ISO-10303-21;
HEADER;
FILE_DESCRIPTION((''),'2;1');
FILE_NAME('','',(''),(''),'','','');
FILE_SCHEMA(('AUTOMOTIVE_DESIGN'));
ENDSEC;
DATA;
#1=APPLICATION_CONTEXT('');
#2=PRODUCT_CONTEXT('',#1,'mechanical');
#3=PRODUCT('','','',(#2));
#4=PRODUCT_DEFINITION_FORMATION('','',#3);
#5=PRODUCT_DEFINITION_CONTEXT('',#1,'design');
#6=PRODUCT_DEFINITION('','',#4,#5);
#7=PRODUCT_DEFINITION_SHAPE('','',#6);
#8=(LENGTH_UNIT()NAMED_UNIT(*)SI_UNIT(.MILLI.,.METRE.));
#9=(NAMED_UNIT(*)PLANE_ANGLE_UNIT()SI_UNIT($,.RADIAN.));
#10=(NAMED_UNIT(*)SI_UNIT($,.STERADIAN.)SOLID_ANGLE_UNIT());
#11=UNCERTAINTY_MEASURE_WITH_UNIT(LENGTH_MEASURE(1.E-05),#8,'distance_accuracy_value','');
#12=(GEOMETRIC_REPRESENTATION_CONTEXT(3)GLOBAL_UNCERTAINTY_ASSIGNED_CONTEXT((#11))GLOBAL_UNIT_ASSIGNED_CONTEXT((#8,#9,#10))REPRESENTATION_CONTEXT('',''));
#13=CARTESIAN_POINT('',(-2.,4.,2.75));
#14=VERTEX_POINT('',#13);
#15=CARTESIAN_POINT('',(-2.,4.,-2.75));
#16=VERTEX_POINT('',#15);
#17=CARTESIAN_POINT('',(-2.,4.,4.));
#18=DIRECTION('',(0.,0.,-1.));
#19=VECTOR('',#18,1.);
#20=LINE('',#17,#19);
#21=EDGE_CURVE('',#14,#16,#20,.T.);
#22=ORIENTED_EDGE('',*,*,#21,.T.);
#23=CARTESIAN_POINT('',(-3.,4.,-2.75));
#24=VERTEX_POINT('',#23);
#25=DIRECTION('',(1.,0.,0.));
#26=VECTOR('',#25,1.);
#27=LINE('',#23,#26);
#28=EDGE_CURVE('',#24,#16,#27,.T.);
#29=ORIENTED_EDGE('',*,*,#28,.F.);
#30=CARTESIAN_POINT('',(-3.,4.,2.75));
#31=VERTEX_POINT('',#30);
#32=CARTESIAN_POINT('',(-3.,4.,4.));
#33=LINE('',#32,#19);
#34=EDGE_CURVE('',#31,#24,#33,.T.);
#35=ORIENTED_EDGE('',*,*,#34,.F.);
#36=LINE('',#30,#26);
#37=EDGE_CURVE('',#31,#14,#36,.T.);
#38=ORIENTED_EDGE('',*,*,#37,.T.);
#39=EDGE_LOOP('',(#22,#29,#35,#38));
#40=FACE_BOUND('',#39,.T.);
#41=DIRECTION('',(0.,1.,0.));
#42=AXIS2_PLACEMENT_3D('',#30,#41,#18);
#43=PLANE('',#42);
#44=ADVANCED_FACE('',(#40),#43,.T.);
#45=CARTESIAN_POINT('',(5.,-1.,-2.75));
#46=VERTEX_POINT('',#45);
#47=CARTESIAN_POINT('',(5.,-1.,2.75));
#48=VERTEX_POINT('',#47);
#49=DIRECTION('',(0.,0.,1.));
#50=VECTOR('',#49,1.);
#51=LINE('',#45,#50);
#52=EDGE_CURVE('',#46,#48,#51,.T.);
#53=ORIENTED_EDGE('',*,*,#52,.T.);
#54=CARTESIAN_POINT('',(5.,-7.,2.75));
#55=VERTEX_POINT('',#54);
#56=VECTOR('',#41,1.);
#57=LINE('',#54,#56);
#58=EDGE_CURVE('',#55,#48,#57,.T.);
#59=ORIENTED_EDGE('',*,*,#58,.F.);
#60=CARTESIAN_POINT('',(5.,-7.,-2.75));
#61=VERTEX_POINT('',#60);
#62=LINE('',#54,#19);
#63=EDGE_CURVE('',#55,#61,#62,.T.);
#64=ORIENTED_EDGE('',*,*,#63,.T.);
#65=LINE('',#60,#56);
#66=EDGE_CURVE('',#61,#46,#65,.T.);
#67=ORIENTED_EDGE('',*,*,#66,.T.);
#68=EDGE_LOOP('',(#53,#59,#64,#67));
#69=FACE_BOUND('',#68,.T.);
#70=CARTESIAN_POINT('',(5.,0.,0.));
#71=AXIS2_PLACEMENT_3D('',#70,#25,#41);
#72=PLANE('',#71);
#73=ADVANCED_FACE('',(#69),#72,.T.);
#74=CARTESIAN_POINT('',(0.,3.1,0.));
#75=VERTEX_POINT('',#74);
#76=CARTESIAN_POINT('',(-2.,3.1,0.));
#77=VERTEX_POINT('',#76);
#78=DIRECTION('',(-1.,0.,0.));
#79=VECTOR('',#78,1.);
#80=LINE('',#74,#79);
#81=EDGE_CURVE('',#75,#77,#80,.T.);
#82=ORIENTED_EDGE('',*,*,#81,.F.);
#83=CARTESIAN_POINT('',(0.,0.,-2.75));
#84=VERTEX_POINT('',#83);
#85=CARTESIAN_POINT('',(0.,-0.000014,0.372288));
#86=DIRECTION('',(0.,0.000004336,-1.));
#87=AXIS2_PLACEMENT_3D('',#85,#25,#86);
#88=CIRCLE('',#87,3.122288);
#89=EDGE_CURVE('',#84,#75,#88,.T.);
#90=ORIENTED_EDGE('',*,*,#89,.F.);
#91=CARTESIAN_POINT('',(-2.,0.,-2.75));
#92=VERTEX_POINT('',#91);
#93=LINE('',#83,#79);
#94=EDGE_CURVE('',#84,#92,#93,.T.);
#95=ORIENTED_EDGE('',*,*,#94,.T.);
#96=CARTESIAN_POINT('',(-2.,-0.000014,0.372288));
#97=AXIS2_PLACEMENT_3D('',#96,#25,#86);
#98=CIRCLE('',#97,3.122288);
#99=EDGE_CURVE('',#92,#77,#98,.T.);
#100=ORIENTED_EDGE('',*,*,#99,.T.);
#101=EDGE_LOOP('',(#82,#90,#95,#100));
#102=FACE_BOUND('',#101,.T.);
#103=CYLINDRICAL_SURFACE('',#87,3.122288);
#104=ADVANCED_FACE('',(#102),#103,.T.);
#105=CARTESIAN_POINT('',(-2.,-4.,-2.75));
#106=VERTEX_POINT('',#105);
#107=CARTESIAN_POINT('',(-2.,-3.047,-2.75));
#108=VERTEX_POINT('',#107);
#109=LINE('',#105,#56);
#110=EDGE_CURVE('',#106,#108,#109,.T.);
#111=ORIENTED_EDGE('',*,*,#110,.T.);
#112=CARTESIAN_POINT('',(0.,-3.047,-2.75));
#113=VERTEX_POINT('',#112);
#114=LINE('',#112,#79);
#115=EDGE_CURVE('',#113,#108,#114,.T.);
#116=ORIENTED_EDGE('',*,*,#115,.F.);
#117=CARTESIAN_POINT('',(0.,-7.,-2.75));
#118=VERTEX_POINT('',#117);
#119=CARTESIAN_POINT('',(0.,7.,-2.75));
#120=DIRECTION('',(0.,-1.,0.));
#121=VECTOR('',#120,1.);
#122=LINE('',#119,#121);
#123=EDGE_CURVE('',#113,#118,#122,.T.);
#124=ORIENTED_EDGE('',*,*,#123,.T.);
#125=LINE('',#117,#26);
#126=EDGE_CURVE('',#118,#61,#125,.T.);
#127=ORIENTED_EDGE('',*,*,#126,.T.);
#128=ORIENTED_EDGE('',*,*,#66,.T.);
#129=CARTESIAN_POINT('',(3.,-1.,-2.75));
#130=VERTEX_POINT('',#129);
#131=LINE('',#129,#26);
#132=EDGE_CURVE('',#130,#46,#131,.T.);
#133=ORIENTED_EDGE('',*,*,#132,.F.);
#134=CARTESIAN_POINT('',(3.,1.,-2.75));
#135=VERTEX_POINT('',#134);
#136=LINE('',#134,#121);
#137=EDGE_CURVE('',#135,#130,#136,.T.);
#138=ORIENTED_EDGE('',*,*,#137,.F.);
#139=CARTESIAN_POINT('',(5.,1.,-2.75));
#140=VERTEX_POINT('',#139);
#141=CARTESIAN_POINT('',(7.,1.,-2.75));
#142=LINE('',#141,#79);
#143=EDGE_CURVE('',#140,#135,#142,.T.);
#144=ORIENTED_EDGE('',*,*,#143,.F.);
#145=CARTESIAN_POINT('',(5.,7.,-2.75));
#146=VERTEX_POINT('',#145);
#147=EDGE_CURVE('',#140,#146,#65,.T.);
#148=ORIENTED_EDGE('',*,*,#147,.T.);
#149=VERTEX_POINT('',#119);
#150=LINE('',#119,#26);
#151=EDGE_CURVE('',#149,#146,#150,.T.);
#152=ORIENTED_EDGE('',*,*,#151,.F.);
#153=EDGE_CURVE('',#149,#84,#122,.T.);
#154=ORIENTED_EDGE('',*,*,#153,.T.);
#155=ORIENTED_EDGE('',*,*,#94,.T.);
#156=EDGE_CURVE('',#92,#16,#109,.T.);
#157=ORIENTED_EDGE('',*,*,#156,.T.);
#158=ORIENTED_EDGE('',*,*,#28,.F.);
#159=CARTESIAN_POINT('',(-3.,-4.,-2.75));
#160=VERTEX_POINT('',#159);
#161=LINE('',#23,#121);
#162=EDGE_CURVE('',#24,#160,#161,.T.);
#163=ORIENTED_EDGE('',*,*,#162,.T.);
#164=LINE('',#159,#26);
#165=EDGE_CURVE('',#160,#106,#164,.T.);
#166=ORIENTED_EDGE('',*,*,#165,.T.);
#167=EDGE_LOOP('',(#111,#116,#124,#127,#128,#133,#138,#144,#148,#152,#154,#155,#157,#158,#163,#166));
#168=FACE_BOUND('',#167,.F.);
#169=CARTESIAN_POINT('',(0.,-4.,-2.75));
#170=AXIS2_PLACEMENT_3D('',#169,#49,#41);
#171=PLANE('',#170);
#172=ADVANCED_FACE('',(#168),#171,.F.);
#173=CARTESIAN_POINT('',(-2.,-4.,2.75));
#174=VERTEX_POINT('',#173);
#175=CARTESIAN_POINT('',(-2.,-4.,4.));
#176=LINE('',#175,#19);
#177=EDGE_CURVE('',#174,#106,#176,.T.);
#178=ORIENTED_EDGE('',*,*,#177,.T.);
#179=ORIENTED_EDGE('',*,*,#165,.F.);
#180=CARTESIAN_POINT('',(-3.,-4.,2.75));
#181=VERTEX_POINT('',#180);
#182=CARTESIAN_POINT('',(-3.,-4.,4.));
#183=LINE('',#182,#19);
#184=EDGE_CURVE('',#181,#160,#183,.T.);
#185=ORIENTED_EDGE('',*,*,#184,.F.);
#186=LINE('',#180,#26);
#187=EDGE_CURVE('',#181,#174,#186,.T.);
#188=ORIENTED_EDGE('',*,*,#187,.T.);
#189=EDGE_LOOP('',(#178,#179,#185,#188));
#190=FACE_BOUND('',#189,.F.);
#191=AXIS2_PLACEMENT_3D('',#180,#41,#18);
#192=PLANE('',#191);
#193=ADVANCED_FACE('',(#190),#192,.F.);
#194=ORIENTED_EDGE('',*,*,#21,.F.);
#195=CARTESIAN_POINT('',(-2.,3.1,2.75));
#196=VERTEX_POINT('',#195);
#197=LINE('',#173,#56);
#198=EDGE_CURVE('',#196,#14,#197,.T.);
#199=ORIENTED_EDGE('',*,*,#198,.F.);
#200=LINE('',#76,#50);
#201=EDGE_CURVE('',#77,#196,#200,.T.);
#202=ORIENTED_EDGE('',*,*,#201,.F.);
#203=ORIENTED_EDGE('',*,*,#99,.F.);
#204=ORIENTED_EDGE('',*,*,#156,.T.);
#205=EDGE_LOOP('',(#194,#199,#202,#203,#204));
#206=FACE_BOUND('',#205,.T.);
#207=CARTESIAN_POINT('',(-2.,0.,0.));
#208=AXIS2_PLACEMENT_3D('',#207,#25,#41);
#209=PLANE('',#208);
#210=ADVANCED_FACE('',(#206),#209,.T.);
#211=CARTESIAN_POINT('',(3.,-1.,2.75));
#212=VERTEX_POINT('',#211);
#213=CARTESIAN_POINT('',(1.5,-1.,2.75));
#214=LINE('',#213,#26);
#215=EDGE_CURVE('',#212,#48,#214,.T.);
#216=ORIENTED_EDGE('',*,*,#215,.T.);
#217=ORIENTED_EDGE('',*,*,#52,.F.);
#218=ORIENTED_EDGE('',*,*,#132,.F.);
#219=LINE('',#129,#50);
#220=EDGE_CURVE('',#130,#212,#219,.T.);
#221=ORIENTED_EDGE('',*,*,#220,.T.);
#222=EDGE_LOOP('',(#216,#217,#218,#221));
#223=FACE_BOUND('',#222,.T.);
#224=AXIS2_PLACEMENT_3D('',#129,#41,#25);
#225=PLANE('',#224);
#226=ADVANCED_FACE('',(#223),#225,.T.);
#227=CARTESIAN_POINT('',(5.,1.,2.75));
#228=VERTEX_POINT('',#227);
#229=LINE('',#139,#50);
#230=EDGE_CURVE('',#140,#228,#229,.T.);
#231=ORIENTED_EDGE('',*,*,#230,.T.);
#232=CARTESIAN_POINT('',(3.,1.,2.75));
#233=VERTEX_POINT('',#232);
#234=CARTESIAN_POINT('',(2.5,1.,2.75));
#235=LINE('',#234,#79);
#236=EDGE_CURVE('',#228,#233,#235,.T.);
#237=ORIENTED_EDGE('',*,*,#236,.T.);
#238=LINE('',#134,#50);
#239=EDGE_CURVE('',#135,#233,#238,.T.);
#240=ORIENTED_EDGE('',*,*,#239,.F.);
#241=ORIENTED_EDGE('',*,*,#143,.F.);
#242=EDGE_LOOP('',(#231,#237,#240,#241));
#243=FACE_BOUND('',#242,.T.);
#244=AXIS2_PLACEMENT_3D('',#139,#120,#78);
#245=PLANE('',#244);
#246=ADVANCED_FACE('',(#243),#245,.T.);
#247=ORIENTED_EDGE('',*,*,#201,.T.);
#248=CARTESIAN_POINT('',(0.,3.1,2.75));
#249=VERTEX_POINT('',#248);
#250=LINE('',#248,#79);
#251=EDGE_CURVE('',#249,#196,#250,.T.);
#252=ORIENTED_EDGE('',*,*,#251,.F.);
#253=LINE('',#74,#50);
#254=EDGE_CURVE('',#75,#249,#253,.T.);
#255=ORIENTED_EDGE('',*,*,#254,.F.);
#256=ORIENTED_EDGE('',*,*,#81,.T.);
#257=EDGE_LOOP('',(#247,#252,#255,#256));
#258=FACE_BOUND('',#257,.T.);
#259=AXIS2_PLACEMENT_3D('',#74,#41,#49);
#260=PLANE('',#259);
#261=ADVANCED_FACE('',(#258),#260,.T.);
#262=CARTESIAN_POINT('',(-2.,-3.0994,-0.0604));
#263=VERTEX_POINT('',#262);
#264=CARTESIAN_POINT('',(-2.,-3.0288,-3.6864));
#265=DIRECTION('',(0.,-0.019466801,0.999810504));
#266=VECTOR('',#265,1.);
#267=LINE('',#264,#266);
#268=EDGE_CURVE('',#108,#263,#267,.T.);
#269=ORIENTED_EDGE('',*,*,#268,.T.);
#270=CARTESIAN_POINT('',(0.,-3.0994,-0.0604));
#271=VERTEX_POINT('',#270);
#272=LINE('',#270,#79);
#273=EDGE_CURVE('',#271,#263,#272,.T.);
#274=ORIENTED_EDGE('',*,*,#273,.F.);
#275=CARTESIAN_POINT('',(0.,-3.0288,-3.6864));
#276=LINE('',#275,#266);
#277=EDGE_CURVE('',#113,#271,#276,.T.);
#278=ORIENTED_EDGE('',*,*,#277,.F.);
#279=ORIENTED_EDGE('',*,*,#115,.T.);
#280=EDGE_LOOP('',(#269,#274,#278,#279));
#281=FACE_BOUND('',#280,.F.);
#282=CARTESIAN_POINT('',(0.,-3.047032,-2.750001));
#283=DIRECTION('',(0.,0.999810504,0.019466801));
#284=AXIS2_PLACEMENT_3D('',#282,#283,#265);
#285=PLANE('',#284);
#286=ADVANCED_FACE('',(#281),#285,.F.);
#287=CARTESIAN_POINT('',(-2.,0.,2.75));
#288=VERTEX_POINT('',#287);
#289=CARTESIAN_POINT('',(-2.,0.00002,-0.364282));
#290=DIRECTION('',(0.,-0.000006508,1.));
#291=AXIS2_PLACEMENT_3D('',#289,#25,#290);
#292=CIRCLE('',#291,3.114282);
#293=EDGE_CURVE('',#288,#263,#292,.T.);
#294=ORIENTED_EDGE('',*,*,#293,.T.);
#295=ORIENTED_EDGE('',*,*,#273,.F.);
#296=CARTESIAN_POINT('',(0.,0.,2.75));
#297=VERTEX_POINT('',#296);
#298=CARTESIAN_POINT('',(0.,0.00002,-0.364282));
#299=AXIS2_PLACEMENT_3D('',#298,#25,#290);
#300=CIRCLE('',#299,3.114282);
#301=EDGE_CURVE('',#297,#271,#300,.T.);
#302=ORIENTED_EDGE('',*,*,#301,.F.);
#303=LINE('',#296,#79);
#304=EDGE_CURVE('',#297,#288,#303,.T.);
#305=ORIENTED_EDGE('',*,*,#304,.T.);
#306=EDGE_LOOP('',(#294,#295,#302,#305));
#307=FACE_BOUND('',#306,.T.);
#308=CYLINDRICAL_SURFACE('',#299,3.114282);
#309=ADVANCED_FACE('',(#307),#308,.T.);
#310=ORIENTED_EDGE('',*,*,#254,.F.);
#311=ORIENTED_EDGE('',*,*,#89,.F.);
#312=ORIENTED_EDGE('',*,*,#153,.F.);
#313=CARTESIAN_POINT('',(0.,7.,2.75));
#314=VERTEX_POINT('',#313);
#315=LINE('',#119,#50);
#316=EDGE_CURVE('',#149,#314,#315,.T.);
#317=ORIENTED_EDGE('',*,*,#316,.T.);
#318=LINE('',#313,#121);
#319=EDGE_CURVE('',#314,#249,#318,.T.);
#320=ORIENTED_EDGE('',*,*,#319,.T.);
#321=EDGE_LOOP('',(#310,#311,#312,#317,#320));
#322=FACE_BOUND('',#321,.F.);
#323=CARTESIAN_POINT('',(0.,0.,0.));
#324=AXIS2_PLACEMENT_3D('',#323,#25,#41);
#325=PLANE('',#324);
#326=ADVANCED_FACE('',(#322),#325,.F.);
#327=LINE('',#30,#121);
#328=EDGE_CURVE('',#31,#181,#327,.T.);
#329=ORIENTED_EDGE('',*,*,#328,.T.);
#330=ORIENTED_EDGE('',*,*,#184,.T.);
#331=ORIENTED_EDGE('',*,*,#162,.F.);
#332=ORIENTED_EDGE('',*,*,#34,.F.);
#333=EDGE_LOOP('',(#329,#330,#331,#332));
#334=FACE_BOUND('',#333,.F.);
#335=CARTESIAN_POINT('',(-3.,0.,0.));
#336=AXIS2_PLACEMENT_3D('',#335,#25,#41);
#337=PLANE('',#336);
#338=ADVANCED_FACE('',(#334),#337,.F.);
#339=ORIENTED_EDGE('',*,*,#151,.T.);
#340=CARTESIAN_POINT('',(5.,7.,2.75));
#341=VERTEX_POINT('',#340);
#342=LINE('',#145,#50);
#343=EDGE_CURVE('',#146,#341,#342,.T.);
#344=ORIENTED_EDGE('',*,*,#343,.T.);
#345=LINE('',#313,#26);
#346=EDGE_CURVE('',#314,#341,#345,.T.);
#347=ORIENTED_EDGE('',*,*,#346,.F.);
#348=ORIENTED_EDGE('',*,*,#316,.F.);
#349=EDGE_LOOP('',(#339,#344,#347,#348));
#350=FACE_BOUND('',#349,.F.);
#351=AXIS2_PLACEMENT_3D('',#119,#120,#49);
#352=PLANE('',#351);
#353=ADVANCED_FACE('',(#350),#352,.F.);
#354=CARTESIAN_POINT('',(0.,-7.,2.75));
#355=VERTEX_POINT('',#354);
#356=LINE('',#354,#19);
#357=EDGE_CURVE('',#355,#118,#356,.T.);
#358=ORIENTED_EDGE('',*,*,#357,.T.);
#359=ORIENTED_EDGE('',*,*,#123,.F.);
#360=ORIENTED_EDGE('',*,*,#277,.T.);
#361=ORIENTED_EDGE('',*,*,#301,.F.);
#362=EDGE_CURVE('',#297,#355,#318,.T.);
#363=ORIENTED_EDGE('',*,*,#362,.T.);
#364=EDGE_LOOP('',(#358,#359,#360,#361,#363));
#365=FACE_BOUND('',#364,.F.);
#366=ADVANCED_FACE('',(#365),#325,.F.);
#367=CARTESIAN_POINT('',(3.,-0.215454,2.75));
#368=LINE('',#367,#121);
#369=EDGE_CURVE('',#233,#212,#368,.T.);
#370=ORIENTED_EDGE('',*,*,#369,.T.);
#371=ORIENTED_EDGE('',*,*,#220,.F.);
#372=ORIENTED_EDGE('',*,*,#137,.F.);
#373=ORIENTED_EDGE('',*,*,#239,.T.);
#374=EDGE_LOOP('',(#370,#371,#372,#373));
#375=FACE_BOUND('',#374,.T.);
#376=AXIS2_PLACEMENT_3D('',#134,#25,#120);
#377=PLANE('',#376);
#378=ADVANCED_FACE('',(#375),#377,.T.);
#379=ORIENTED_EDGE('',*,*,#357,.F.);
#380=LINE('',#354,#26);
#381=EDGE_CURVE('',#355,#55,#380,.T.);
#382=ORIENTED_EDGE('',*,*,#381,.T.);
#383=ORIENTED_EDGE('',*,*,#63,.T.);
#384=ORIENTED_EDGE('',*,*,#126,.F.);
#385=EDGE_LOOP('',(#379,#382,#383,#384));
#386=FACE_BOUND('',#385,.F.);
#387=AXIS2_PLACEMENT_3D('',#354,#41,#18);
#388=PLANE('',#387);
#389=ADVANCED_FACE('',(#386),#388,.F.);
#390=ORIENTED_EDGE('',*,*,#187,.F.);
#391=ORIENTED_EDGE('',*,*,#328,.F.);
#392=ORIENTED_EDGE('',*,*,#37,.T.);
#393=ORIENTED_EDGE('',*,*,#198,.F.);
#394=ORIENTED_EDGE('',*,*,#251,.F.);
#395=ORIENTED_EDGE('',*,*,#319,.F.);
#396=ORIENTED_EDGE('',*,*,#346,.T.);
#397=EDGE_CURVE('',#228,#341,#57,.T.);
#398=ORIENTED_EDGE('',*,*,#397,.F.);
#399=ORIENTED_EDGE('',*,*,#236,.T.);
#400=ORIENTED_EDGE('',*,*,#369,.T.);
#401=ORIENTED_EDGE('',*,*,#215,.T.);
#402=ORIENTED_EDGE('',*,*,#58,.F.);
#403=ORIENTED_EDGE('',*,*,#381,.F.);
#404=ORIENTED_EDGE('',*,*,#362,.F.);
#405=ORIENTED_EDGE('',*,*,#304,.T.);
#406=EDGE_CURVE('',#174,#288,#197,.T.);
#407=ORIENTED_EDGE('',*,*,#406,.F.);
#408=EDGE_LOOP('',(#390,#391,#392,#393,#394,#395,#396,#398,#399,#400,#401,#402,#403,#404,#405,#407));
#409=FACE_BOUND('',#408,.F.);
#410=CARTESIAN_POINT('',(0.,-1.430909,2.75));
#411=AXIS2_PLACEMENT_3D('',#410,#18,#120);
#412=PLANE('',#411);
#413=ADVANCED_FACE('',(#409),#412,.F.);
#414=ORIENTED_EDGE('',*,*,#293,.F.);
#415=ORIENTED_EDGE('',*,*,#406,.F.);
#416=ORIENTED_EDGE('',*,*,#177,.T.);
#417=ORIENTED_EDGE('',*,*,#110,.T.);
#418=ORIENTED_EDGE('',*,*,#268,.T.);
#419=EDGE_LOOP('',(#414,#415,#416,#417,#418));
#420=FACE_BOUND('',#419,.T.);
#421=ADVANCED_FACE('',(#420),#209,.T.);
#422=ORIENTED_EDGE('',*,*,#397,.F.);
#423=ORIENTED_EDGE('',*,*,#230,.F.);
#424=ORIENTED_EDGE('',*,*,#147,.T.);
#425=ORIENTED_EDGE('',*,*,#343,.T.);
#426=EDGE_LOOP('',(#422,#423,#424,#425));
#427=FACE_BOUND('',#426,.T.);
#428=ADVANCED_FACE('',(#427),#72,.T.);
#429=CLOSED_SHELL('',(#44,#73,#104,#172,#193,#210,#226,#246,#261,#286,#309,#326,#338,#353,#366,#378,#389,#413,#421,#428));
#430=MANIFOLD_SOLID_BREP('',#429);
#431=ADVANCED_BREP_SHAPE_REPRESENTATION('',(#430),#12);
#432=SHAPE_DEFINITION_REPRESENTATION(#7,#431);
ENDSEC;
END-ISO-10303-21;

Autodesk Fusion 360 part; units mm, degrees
ref_plane "WorkPlane1" through (11.25, 0, 0) normal (1, 0, 0) x (0, 1, 0)
sketch "wire_screw2" plane through (0, 0, 0) normal (1, 0, 0) x (0, 1, 0)
  line L0 (7, 3.1) -> (-7, -3.1) construction
  line L1 (-7, 3.1) -> (7, -3.1) construction
  line L2 (-4, 4) -> (-4, -3.4897)
  line L3 (4, 4) -> (4, -3.5621)
  circle A0 centre (0, 0) radius 3.1
  circle A1 centre (0, 0) radius 2.75
  line L4 (-3.0288, -3.6864) -> (-3.0994, -0.0604)
  arc A2 (0, 2.75) -> (-3.0994, -0.0604) centre (0, -0.3643) ccw
  arc A3 (0, -2.75) -> (0, 2.75) centre (0, 0) ccw
  arc A4 (0, -2.75) -> (3.1, 0) centre (0, 0.3723) ccw
  line L5 (3.1, 0) -> (3.1, 3.8294)
  line L6 (0, 2.75) -> (3.1, 2.75)
  line L7 (0, -2.75) -> (-3.047, -2.75)
  line L8 (0, 2.75) -> (7, 2.75)
  line L9 (7, 2.75) -> (-7, 2.75)
  line L10 (-7, 2.75) -> (-7, -2.75)
  line L11 (-7, -2.75) -> (7, -2.75)
  line L12 (7, -2.75) -> (7, 2.75)
  dimension "d38" = 14
  dimension "d39" = 6.2
  dimension "d40" = 5.5
  dimension "d41" = 7
  dimension "d42" = 14
extrude "Extrude7" add sketch "wire_screw2" along normal blind -2 and the other way blind 3 contours L2 A0 L4 L9 L11 | A0 A2 L9 | A0 L4 L7 L11 | A0 L5 L6 L8 L9 | A0 A1 A3 A4 L6 L8 L9 | A0 A1 A2 L7 L11 | A1 A3 | L3 A0 L5 L8 L9 L11 | A0 A4 L11
extrude "Extrude8" add sketch "wire_screw2" against normal blind 2 contours A0 L4 L7 L11 | A0 L5 L6 L8 L9 | A0 A1 A3 A4 L6 L8 L9 | A0 A1 A2 L7 L11 | A1 A3
extrude "Extrude9" add sketch "wire_screw2" along normal blind 5 contours L2 A0 L4 L9 L11 | L2 L9 L10 L11 | A0 A2 L9 | A0 L4 L7 L11 | A0 L5 L6 L8 L9 | A0 A1 A3 A4 L6 L8 L9 | A0 A1 A2 L7 L11 | A1 A3 | L3 A0 L5 L8 L9 L11 | A0 A4 L11 | L3 L8 L9 L11 L12
sketch "wire_screw2_slot" plane through (0, 0, -2.75) normal (0, 0, -1) x (1, 0, 0)
  line L0 (-2, -4) -> (-2, 0)
  line L1 (-2, 0) -> (0, 0)
  line L2 (0, 0) -> (0, -7)
  line L3 (0, -7) -> (5, -7)
  line L4 (5, -7) -> (5, 7)
  line L5 (5, 7) -> (0, 7)
  line L6 (0, 7) -> (0, 3.047)
  line L7 (0, 3.047) -> (-2, 3.047)
  line L8 (-2, 3.047) -> (-2, 4)
  line L9 (-2, 4) -> (-3, 4)
  line L10 (-3, 4) -> (-3, -4)
  line L11 (-3, -4) -> (-2, -4)
  line L12 (3, 1) -> (7, 1)
  line L13 (7, 1) -> (7, -1)
  line L14 (7, -1) -> (3, -1)
  line L15 (3, -1) -> (3, 1)
  line L16 (3, 1) -> (7, -1) construction
  line L17 (7, 1) -> (3, -1) construction
  point P0 (5, 0)
  dimension "d51" = 4
  dimension "d52" = 2
extrude "Extrude10" cut sketch "wire_screw2_slot" against normal blind 8 contours L4 L12 L14 L15
